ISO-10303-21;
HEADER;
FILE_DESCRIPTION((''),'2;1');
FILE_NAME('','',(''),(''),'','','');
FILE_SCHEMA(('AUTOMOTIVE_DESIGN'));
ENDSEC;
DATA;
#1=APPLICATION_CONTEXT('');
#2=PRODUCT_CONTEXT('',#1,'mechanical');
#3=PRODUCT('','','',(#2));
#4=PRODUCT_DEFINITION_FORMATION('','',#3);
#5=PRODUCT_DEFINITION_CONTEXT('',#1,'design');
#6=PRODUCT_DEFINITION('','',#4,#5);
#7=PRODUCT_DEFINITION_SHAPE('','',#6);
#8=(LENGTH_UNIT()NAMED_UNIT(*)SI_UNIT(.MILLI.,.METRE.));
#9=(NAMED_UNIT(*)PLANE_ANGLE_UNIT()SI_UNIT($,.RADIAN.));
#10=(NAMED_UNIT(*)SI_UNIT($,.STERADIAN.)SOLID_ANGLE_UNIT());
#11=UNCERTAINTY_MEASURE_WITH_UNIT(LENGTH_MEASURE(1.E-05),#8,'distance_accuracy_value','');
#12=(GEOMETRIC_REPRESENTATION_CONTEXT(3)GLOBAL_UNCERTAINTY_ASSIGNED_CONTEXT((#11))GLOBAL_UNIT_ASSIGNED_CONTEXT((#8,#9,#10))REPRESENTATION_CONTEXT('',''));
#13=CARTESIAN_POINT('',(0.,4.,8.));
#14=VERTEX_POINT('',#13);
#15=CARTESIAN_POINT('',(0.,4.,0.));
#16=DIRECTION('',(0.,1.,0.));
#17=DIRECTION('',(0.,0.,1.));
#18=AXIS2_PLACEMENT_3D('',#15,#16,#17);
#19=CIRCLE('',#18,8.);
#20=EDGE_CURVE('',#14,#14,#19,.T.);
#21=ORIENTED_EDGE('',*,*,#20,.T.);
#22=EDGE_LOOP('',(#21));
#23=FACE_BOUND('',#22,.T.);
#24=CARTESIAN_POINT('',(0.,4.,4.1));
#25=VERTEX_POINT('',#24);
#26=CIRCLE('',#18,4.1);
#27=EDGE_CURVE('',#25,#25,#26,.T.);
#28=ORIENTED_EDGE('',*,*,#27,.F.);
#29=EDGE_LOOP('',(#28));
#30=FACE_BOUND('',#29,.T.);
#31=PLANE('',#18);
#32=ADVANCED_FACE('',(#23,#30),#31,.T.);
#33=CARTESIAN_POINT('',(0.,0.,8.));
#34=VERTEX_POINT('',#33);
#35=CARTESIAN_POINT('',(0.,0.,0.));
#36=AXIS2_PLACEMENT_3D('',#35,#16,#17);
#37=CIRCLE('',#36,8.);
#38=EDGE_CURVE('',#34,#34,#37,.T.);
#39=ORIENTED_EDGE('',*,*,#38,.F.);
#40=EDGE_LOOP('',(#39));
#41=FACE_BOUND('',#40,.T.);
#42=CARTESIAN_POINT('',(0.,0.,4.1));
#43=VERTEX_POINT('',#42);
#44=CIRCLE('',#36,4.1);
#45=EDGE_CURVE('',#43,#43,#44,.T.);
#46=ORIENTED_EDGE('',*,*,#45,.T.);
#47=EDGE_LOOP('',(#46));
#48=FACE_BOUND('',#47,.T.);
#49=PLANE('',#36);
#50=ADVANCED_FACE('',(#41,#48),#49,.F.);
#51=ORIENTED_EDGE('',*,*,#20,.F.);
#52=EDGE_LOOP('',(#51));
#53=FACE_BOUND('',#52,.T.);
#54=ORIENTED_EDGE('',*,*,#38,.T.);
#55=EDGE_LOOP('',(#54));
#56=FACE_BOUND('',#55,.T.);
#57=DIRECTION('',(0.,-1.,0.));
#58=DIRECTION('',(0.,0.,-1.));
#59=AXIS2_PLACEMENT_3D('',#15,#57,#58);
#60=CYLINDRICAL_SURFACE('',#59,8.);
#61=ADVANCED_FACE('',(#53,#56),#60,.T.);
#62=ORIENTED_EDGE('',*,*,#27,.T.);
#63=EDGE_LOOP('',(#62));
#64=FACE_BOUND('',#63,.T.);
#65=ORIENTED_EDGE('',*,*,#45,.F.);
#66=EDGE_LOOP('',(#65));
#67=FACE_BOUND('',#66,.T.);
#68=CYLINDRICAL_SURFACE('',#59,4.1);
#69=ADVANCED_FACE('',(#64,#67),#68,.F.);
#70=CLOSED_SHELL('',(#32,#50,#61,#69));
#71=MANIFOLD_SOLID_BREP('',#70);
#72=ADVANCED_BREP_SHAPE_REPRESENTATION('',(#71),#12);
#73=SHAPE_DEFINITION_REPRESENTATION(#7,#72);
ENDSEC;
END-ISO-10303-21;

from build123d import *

# Parameters (mm, degrees)
SKETCH_1_R      = 8
SKETCH_1_R_2    = 4.1
EXTRUDE_1_DEPTH = 4


with BuildPart() as part:
    # Эскиз1 → Бобышка-Вытянуть1 (new body)
    with BuildSketch(Plane(origin=(0, 0, 0), x_dir=(1, 0, 0), z_dir=(0, 1, 0))):
        with Locations(Location((0, 0, 0), (0, 0, 270))):
            Circle(SKETCH_1_R)
        with Locations(Location((0, 0, 0), (0, 0, 270))):
            Circle(SKETCH_1_R_2, mode=Mode.SUBTRACT)
    extrude(amount=EXTRUDE_1_DEPTH)


solid = part.part
